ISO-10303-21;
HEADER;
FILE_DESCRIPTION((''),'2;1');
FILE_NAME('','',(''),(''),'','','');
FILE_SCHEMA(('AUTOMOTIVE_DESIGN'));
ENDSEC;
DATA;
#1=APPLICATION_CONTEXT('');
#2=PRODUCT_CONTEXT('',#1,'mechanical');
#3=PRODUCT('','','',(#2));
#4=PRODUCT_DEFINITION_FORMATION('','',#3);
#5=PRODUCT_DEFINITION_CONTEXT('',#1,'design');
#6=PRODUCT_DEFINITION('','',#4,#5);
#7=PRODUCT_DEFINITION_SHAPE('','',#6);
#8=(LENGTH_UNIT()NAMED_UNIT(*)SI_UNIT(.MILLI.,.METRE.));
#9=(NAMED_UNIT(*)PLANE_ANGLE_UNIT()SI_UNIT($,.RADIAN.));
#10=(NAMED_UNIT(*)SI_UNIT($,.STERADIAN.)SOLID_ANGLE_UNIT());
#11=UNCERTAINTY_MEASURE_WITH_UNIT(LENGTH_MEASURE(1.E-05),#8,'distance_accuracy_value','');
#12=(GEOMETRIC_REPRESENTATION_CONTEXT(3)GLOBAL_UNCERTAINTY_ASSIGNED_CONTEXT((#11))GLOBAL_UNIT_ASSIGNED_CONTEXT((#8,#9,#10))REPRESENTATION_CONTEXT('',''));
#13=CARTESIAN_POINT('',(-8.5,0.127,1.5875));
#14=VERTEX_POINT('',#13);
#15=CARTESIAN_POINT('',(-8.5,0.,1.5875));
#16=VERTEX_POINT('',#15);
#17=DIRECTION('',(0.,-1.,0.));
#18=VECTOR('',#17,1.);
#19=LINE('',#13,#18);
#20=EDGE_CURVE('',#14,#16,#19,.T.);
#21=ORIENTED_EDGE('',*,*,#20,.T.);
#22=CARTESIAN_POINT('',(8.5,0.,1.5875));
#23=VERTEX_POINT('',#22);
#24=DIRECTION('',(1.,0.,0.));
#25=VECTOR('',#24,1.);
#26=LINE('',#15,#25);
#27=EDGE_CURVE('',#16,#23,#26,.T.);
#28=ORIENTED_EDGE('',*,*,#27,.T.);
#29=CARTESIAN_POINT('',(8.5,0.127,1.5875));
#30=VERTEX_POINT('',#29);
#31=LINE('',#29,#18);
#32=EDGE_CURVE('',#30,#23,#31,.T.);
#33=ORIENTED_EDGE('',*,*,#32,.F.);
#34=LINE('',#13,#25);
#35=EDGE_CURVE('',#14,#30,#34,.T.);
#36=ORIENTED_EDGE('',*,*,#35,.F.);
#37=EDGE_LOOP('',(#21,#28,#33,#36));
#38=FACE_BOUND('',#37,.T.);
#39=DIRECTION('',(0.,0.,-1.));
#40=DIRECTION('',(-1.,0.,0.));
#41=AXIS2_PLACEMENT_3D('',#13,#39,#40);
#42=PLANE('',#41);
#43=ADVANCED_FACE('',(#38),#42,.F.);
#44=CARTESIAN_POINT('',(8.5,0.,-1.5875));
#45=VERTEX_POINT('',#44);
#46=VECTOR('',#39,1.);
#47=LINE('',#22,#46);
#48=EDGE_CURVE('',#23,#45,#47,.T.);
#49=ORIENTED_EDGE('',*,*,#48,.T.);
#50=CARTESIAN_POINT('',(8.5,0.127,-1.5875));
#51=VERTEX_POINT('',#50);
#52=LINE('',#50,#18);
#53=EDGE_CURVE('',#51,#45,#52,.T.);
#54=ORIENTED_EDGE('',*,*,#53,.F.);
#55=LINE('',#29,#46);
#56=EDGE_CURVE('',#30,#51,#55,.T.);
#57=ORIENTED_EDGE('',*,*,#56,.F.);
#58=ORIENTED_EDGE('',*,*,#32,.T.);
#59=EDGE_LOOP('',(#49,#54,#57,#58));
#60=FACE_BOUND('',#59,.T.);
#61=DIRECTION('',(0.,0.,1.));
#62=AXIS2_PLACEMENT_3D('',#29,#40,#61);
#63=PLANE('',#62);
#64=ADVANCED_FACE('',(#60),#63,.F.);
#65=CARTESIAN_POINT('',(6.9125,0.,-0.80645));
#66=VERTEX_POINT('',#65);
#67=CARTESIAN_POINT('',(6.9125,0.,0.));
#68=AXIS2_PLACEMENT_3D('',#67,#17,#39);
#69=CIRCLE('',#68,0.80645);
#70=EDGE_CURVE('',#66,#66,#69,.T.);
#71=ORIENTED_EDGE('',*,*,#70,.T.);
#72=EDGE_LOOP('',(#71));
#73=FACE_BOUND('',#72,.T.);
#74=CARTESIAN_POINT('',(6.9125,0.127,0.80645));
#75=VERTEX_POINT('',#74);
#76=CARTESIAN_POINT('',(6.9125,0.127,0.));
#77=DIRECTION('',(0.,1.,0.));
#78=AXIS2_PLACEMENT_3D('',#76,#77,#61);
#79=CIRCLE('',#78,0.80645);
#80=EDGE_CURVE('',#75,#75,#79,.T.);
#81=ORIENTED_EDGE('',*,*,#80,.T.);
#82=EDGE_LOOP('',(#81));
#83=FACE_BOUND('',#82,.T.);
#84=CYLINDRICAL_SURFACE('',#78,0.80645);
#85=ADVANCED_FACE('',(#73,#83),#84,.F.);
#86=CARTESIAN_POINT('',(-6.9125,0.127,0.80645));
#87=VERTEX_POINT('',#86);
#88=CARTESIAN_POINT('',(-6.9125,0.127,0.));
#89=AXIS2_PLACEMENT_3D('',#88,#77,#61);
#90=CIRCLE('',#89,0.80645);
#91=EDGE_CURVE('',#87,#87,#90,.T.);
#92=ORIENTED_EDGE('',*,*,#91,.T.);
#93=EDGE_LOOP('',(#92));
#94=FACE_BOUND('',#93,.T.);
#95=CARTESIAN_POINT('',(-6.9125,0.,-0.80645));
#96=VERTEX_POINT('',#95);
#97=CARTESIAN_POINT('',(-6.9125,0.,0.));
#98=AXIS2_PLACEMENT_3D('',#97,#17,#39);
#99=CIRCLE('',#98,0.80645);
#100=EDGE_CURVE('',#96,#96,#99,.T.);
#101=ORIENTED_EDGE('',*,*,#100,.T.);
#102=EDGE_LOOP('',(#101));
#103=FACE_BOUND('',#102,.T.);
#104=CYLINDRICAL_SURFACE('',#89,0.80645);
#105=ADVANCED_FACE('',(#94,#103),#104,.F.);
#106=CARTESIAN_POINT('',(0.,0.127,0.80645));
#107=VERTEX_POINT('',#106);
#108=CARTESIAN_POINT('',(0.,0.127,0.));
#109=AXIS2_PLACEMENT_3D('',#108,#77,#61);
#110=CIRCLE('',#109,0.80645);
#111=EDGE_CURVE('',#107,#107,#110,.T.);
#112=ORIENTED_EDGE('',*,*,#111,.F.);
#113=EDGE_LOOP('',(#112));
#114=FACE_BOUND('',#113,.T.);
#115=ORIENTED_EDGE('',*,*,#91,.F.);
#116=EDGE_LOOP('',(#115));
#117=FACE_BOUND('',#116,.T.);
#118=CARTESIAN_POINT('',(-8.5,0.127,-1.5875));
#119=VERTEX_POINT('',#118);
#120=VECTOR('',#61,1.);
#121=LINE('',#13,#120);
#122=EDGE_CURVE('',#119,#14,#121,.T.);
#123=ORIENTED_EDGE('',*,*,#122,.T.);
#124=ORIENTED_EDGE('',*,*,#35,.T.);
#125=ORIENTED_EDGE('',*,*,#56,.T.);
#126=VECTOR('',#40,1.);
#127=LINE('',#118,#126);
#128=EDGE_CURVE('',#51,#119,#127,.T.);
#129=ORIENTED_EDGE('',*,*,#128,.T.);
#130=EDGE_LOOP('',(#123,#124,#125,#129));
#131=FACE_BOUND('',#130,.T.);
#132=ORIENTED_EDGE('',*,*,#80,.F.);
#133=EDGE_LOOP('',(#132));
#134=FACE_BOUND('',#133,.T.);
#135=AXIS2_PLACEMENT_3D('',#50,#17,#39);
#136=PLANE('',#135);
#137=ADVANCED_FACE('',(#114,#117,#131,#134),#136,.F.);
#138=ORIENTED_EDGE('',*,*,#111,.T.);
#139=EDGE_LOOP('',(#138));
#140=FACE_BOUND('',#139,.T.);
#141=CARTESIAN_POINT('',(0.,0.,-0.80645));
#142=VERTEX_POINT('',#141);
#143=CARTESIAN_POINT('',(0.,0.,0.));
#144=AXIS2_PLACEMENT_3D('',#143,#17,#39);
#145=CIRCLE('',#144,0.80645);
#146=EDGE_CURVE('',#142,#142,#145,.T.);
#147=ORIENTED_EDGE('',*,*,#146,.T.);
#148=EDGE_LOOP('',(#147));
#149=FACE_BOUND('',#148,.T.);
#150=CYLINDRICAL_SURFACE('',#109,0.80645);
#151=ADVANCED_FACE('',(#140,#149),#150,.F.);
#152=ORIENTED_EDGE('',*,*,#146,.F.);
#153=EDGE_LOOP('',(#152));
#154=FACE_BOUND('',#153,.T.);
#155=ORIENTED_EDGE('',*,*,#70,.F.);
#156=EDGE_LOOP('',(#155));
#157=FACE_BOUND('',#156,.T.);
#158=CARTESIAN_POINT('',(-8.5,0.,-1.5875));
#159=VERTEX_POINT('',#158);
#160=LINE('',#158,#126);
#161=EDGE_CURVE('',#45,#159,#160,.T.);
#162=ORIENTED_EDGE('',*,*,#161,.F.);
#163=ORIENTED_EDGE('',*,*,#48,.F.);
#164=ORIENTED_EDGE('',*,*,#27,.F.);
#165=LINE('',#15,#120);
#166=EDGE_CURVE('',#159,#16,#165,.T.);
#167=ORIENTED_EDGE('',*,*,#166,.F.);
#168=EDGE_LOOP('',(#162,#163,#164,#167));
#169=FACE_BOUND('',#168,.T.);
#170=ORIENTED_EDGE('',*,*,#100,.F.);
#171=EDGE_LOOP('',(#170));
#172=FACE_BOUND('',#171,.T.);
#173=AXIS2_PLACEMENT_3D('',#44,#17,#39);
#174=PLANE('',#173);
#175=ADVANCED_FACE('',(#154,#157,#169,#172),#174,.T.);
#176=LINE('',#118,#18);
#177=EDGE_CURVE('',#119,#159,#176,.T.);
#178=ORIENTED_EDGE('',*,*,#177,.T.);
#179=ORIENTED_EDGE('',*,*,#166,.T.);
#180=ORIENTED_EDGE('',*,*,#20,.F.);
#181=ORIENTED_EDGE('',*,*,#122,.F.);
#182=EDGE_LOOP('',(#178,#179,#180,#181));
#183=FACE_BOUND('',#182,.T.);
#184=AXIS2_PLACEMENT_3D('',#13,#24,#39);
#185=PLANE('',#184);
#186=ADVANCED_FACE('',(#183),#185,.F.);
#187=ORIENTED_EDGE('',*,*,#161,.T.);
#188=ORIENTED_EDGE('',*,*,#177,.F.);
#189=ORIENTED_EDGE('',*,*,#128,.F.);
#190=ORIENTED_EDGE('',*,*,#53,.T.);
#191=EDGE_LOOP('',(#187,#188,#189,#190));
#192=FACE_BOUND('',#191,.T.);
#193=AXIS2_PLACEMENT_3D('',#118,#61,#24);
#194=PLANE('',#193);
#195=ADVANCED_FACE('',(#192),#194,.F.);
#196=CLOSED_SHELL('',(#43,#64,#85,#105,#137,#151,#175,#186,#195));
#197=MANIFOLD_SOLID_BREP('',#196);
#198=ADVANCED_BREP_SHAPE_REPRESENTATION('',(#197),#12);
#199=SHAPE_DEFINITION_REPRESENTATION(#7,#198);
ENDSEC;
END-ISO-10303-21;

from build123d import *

# Parameters (mm, degrees)
SKETCH1_W                 = 17
SKETCH1_H                 = 3.175
BOSS_EXTRUDE1_DEPTH       = 0.127
F_0_CLEARANCE_HOLE1_D     = 1.6129
F_0_CLEARANCE_HOLE1_DEPTH = 4.826
F_0_CLEARANCE_HOLE1_TIP   = 0.484564046


with BuildPart() as part:
    # Sketch1 → Boss-Extrude1 (new body)
    with BuildSketch(Plane(origin=(0, 0, 0), x_dir=(1, 0, 0), z_dir=(0, 1, 0))):
        Rectangle(SKETCH1_W, SKETCH1_H)
    extrude(amount=BOSS_EXTRUDE1_DEPTH)

    # #0 Clearance Hole1
    with Locations(Plane(origin=(0, 0.127, 0), x_dir=(-1, 0, 0), z_dir=(0, 1, 0))):
        with Locations((0, 0), (-6.9125, 0), (6.9125, 0)):
            Hole(F_0_CLEARANCE_HOLE1_D / 2, depth=F_0_CLEARANCE_HOLE1_DEPTH)
            with Locations((0, 0, -(F_0_CLEARANCE_HOLE1_DEPTH + F_0_CLEARANCE_HOLE1_TIP / 2))):  # 118° drill point
                Cone(0, F_0_CLEARANCE_HOLE1_D / 2, F_0_CLEARANCE_HOLE1_TIP, mode=Mode.SUBTRACT)


solid = part.part
